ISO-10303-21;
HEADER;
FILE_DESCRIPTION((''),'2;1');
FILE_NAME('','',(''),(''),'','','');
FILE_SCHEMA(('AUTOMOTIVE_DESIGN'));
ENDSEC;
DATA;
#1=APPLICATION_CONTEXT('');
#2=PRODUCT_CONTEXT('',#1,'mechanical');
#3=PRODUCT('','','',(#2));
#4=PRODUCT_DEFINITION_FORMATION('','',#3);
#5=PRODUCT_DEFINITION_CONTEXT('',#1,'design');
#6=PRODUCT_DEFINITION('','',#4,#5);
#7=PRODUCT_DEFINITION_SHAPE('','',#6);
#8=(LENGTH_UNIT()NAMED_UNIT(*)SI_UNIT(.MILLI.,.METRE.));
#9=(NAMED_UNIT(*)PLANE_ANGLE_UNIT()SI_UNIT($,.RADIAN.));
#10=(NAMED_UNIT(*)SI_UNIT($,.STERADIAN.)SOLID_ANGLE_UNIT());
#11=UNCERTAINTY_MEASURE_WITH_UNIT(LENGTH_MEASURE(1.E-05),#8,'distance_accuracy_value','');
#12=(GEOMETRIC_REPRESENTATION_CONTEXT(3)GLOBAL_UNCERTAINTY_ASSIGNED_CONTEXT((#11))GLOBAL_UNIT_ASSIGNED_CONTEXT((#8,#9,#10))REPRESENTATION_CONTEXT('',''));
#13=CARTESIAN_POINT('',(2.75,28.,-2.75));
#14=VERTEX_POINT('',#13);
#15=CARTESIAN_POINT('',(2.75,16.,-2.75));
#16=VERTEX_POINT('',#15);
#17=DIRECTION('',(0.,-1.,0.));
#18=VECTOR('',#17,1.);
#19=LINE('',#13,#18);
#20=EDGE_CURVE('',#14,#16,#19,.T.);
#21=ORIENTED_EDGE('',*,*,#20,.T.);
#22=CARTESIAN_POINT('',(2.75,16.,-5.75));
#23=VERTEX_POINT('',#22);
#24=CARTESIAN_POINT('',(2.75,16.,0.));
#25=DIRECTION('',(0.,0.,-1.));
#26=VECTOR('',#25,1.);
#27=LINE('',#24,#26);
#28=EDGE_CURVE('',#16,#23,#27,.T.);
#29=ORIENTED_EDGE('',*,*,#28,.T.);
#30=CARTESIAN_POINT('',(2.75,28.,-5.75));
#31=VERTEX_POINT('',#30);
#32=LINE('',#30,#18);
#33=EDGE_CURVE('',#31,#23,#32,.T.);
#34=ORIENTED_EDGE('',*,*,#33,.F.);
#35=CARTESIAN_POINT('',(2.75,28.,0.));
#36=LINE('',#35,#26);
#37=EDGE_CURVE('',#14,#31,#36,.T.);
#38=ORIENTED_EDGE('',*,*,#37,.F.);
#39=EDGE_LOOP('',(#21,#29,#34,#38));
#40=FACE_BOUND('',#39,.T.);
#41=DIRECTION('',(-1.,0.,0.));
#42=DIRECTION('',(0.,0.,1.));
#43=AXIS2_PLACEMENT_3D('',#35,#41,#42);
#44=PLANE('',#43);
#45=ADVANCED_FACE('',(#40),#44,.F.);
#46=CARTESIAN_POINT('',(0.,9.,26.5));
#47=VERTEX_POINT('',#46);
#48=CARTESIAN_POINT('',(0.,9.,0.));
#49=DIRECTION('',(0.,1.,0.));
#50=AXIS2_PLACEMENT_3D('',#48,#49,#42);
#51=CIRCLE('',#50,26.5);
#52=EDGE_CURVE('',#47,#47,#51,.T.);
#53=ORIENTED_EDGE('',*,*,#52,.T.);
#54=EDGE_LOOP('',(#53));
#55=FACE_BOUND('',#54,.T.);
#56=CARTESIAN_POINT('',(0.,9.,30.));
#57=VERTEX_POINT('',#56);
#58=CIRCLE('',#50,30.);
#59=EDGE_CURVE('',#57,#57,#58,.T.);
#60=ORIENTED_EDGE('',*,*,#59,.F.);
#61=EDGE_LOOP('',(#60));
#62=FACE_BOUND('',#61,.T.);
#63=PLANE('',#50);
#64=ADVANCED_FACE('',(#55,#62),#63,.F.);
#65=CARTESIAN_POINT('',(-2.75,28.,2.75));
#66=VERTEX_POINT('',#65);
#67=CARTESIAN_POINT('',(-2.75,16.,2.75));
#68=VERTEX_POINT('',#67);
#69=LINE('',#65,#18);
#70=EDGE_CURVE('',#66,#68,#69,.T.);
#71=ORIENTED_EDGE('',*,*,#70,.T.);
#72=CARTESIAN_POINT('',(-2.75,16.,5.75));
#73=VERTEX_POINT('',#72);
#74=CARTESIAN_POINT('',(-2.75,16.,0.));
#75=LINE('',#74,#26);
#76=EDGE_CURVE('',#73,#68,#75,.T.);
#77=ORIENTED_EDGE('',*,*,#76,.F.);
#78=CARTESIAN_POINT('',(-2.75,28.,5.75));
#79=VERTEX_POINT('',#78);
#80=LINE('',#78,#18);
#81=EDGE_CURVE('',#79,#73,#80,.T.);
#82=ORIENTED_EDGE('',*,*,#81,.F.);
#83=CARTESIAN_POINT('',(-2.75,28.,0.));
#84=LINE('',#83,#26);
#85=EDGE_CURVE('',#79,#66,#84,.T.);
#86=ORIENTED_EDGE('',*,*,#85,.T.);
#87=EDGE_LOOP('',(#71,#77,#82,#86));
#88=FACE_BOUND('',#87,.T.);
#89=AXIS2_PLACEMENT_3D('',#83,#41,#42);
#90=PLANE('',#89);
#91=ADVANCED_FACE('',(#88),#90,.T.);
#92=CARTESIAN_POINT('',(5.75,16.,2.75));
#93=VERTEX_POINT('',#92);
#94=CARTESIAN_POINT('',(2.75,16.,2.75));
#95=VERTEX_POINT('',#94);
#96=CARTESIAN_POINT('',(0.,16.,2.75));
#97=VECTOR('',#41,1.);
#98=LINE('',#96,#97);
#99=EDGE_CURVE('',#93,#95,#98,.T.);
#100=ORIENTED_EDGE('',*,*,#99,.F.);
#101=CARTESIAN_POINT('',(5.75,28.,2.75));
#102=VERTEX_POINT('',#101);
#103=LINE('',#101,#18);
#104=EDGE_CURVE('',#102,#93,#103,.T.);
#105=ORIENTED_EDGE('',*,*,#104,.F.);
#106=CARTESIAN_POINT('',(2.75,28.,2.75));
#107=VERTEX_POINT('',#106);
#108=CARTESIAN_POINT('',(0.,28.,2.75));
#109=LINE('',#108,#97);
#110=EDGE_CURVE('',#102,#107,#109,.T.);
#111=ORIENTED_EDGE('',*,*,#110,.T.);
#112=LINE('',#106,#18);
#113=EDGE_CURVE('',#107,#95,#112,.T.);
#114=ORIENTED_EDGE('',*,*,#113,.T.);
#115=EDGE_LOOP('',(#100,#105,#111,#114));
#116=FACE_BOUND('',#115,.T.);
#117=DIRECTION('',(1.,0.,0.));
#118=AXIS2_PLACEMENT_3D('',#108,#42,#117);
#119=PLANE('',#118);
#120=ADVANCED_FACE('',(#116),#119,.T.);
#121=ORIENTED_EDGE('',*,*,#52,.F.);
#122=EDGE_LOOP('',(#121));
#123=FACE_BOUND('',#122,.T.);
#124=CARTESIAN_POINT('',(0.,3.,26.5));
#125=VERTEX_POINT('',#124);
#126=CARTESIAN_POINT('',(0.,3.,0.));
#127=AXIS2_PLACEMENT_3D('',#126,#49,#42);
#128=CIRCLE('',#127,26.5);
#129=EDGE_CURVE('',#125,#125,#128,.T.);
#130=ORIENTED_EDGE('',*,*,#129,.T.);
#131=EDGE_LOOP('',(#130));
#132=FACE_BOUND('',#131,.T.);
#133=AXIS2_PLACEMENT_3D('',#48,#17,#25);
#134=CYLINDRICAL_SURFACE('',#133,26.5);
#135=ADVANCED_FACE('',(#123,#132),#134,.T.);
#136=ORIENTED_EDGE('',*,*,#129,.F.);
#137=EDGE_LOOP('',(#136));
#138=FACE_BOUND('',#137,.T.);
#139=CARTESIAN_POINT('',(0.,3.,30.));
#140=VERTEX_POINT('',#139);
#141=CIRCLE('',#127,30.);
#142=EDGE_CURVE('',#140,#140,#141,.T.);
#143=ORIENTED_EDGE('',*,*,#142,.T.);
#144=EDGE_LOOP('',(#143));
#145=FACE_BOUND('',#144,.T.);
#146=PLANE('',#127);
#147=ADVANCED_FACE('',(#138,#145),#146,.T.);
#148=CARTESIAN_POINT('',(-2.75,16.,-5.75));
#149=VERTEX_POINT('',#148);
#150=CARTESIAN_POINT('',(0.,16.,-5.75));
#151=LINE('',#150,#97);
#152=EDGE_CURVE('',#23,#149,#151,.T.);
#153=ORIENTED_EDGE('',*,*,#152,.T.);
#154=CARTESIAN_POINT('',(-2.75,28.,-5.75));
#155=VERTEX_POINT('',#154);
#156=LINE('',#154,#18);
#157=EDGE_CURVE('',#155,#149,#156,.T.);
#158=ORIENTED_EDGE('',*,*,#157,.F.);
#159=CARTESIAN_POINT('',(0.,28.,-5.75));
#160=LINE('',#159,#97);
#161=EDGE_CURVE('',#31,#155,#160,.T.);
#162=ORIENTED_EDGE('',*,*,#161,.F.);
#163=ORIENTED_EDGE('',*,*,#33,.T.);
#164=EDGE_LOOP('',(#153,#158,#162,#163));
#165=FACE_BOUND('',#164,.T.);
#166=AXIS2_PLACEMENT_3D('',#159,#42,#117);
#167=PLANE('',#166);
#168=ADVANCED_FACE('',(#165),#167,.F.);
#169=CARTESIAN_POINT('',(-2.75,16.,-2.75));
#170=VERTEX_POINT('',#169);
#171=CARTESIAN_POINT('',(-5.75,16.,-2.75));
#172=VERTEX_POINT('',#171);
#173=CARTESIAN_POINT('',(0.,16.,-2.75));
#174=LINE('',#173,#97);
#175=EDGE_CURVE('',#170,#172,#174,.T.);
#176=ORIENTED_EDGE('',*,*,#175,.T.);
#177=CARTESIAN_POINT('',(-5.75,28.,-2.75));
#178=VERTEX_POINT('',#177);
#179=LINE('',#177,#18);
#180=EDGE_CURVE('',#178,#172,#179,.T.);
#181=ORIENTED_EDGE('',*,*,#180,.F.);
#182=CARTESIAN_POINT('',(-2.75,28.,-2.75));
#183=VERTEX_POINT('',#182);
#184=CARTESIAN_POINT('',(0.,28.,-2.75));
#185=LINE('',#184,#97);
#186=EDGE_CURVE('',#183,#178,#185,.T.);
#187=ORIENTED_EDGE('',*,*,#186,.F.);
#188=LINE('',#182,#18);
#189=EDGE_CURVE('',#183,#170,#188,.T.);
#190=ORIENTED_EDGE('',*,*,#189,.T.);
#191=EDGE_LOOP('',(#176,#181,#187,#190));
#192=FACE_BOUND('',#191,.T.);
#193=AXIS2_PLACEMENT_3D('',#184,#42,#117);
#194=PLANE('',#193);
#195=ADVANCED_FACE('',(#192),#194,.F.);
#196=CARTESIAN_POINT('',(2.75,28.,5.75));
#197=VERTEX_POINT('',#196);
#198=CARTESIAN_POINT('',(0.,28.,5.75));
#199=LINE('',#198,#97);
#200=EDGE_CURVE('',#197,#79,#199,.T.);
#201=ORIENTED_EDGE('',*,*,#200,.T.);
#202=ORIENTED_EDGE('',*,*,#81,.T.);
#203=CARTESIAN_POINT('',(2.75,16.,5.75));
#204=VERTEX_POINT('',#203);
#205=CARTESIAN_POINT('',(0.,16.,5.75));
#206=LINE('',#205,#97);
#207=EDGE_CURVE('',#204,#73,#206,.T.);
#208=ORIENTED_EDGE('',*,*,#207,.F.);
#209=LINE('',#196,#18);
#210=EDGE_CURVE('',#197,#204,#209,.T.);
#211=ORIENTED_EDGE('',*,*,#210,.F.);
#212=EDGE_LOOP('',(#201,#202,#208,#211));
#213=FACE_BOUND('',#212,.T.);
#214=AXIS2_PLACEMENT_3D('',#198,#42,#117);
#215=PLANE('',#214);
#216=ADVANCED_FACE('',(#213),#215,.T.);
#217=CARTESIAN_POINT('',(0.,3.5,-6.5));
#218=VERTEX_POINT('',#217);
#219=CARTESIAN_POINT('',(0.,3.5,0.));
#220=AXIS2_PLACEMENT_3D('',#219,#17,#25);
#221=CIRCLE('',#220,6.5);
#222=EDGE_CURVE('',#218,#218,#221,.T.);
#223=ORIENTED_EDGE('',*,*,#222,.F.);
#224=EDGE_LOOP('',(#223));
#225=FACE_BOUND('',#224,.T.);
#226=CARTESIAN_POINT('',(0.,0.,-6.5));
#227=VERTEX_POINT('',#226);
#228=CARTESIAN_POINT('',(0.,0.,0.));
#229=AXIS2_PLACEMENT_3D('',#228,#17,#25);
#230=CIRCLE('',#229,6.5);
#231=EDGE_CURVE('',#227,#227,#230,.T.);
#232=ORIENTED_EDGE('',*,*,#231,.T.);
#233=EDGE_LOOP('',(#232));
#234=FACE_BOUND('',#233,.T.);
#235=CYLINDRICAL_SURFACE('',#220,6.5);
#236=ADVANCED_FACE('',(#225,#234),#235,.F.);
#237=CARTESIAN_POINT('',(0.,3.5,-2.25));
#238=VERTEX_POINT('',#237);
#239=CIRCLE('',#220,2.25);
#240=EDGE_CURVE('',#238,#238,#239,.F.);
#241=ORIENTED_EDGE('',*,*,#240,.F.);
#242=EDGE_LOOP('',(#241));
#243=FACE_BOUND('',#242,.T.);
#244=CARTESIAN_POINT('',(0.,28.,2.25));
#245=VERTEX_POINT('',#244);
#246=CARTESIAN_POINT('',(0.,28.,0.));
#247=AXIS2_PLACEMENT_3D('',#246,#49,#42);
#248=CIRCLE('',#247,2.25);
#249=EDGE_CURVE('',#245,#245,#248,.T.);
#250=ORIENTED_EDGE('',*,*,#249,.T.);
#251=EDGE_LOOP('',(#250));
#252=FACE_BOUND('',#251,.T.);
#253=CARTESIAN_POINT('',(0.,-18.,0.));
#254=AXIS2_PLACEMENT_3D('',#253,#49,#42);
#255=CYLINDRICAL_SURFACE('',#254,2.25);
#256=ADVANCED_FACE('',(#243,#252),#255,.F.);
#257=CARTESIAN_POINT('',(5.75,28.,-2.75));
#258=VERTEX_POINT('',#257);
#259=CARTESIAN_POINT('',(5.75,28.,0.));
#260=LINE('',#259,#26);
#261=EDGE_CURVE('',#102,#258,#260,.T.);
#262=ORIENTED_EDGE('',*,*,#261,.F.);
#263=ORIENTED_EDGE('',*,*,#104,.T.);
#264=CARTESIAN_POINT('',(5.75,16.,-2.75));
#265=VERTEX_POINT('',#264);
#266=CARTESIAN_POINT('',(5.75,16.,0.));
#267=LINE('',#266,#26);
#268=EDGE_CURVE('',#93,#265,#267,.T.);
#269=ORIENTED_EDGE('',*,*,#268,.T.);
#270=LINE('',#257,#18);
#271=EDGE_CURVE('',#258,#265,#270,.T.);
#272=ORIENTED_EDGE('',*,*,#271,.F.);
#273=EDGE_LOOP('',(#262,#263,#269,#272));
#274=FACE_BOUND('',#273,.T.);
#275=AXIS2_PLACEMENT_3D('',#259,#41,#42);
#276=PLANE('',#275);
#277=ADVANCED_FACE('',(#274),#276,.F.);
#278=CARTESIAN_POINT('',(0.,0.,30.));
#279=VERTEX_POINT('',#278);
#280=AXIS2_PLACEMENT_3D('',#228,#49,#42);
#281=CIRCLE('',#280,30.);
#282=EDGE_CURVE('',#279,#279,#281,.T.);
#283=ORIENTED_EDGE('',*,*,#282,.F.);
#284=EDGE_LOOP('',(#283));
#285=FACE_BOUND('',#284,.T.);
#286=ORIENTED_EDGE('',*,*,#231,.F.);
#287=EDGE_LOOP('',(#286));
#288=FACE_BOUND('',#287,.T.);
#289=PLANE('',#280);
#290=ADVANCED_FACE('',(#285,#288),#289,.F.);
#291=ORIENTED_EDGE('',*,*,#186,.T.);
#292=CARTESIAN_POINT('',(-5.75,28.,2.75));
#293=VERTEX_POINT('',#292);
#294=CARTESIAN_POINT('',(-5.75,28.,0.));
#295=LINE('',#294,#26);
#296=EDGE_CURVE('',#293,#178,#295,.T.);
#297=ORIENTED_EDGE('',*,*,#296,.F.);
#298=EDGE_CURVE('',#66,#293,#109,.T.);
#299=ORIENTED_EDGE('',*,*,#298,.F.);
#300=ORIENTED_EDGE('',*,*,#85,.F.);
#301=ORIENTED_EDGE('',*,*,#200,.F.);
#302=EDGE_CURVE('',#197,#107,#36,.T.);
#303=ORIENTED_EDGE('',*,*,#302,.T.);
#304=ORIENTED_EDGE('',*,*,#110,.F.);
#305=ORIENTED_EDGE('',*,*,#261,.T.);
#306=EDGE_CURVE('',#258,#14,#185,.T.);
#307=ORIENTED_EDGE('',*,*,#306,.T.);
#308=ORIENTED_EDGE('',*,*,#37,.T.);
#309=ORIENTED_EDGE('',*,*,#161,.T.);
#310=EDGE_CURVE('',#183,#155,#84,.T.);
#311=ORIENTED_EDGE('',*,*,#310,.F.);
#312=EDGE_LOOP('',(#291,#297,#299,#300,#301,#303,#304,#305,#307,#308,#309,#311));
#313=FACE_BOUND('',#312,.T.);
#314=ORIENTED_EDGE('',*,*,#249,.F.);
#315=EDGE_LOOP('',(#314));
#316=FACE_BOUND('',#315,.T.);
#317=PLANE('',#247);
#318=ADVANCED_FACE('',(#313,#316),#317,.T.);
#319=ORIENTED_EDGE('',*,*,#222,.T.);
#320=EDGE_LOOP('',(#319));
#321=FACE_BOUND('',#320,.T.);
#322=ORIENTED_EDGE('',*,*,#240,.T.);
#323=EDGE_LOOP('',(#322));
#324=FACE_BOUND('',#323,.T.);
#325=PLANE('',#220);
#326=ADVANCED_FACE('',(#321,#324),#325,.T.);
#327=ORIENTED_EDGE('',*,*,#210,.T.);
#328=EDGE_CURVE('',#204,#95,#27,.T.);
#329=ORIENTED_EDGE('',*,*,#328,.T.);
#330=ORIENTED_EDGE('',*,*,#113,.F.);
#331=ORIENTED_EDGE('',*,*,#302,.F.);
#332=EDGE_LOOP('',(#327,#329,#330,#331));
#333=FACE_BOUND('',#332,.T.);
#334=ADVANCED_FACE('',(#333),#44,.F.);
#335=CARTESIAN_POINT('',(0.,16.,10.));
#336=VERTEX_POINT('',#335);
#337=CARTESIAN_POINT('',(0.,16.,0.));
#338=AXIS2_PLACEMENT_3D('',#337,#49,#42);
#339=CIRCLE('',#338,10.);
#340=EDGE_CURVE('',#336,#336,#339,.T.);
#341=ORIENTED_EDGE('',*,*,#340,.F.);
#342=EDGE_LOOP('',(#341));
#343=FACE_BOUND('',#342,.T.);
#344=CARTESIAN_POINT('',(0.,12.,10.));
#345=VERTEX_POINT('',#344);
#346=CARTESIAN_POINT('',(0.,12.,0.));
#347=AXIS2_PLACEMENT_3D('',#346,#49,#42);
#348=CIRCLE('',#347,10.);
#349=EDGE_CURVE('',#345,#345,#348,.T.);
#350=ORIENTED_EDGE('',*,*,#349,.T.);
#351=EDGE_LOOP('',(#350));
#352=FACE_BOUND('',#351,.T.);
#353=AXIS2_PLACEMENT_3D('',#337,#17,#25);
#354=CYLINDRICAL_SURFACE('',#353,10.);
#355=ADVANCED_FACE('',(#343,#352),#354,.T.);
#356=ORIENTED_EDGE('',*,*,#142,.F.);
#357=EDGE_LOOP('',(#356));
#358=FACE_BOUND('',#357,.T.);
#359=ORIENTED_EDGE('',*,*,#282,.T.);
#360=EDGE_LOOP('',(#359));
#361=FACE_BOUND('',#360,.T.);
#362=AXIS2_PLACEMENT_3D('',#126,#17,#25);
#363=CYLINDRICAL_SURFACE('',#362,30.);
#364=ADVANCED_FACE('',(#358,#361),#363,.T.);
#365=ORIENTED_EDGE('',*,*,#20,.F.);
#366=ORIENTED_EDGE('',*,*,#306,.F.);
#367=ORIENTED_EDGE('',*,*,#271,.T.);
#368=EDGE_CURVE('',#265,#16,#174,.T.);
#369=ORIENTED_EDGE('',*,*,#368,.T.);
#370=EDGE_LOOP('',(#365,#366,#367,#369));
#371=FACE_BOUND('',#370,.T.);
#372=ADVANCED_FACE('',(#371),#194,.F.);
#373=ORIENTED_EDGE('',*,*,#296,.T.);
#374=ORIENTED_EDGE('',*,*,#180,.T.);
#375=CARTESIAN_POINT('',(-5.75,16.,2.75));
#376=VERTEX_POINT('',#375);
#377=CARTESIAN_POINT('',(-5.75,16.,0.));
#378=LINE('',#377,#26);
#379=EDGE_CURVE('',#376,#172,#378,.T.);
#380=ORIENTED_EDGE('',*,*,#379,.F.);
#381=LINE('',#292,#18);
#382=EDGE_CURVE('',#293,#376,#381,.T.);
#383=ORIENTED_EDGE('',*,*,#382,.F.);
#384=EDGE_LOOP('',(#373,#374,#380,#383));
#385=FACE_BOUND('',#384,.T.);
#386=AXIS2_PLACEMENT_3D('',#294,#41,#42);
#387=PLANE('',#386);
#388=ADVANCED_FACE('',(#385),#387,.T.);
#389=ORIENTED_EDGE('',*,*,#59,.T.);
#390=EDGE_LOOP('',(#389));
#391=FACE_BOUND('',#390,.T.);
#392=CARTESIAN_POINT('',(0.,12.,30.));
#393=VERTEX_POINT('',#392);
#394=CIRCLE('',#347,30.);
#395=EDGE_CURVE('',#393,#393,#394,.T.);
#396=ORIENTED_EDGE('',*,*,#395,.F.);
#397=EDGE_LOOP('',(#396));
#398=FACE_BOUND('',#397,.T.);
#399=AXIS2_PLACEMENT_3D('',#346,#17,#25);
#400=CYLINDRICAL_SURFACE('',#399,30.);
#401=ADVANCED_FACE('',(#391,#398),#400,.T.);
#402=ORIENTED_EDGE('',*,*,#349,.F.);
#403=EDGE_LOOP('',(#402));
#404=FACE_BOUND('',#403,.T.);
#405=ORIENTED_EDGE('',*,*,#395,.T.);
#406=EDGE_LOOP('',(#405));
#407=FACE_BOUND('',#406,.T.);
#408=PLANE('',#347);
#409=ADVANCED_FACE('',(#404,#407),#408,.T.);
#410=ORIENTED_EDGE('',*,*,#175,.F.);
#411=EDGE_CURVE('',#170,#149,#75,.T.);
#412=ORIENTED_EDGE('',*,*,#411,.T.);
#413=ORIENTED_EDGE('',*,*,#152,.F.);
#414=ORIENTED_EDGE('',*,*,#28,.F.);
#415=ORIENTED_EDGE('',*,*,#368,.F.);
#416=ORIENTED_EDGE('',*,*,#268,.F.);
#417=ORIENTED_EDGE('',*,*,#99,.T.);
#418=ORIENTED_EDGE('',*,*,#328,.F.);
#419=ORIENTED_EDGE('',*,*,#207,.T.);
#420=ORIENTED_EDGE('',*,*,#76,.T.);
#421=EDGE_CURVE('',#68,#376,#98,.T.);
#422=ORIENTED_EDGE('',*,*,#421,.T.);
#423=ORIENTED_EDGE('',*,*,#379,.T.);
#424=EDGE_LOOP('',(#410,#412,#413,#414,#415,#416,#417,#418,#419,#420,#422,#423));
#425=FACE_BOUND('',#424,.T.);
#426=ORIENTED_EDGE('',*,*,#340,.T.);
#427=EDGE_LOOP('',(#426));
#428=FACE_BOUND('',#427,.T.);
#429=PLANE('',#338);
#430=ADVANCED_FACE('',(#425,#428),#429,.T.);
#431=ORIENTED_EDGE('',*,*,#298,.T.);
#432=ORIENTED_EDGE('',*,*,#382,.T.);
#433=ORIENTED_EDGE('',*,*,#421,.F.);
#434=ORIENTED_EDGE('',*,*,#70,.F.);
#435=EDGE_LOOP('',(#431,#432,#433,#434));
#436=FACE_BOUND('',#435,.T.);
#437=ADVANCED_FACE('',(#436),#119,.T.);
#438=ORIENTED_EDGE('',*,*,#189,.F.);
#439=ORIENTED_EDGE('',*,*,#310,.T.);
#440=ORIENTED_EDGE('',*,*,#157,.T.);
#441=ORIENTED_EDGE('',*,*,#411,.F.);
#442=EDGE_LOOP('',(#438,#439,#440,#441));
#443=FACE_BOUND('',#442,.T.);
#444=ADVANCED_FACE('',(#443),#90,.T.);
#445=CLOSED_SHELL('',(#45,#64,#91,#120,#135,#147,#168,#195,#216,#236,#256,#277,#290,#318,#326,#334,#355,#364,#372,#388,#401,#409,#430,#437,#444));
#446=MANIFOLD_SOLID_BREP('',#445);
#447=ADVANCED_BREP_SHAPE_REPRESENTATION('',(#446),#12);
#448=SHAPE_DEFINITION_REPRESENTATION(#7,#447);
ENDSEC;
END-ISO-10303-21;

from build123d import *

# Parameters (mm, degrees)
SKETCH1_R           = 30
EXTRUDE_C_DEPTH     = 3
SKETCH2_R           = 26.5
BOSS_EXTRUDE2_DEPTH = 6
SKETCH3_R           = 30
BOSS_EXTRUDE3_DEPTH = 3
SKETCH4_W           = 5.5
SKETCH4_H           = 3
SKETCH4_W_2         = 3
SKETCH4_H_2         = 5.5
BOSS_EXTRUDE4_DEPTH = 16
SKETCH5_R           = 10
BOSS_EXTRUDE5_DEPTH = 4
SKETCH7_R           = 2.25
CUT_EXTRUDE1_DEPTH  = 46
SKETCH8_R           = 6.5
CUT_EXTRUDE2_DEPTH  = 3.5


with BuildPart() as part:
    # Sketch1 → Extrude c (new body)
    with BuildSketch(Plane(origin=(0, 0, 0), x_dir=(1, 0, 0), z_dir=(0, 1, 0))):
        Circle(SKETCH1_R)
    extrude(amount=EXTRUDE_C_DEPTH)

    # Sketch2 → Boss-Extrude2 (add)
    with BuildSketch(Plane(origin=(0, 3, 0), x_dir=(1, 0, 0), z_dir=(0, 1, 0))):
        Circle(SKETCH2_R)
    extrude(amount=BOSS_EXTRUDE2_DEPTH)

    # Sketch3 → Boss-Extrude3 (add)
    with BuildSketch(Plane(origin=(0, 9, 0), x_dir=(1, 0, 0), z_dir=(0, 1, 0))):
        Circle(SKETCH3_R)
    extrude(amount=BOSS_EXTRUDE3_DEPTH)

    # Sketch4 → Boss-Extrude4 (add)
    with BuildSketch(Plane(origin=(0, 12, 0), x_dir=(1, 0, 0), z_dir=(0, 1, 0))):
        with Locations((0, 4.25)):
            Rectangle(SKETCH4_W, SKETCH4_H)
        with Locations((-4.25, 0)):
            Rectangle(SKETCH4_W_2, SKETCH4_H_2)
        Rectangle(SKETCH4_W, SKETCH4_H_2)
        with Locations((0, -4.25)):
            Rectangle(SKETCH4_W, SKETCH4_H)
        with Locations((4.25, 0)):
            Rectangle(SKETCH4_W_2, SKETCH4_H_2)
    extrude(amount=BOSS_EXTRUDE4_DEPTH)

    # Sketch5 → Boss-Extrude5 (add)
    with BuildSketch(Plane(origin=(0, 12, 0), x_dir=(1, 0, 0), z_dir=(0, 1, 0))):
        Circle(SKETCH5_R)
    extrude(amount=BOSS_EXTRUDE5_DEPTH)

    # Sketch7 → Cut-Extrude1 (cut)
    with BuildSketch(Plane(origin=(0, 28, 0), x_dir=(1, 0, 0), z_dir=(0, 1, 0))):
        Circle(SKETCH7_R)
    extrude(amount=-CUT_EXTRUDE1_DEPTH, mode=Mode.SUBTRACT)

    # Sketch8 → Cut-Extrude2 (cut)
    with BuildSketch(Plane.XZ):
        Circle(SKETCH8_R)
    extrude(amount=-CUT_EXTRUDE2_DEPTH, mode=Mode.SUBTRACT)


solid = part.part
